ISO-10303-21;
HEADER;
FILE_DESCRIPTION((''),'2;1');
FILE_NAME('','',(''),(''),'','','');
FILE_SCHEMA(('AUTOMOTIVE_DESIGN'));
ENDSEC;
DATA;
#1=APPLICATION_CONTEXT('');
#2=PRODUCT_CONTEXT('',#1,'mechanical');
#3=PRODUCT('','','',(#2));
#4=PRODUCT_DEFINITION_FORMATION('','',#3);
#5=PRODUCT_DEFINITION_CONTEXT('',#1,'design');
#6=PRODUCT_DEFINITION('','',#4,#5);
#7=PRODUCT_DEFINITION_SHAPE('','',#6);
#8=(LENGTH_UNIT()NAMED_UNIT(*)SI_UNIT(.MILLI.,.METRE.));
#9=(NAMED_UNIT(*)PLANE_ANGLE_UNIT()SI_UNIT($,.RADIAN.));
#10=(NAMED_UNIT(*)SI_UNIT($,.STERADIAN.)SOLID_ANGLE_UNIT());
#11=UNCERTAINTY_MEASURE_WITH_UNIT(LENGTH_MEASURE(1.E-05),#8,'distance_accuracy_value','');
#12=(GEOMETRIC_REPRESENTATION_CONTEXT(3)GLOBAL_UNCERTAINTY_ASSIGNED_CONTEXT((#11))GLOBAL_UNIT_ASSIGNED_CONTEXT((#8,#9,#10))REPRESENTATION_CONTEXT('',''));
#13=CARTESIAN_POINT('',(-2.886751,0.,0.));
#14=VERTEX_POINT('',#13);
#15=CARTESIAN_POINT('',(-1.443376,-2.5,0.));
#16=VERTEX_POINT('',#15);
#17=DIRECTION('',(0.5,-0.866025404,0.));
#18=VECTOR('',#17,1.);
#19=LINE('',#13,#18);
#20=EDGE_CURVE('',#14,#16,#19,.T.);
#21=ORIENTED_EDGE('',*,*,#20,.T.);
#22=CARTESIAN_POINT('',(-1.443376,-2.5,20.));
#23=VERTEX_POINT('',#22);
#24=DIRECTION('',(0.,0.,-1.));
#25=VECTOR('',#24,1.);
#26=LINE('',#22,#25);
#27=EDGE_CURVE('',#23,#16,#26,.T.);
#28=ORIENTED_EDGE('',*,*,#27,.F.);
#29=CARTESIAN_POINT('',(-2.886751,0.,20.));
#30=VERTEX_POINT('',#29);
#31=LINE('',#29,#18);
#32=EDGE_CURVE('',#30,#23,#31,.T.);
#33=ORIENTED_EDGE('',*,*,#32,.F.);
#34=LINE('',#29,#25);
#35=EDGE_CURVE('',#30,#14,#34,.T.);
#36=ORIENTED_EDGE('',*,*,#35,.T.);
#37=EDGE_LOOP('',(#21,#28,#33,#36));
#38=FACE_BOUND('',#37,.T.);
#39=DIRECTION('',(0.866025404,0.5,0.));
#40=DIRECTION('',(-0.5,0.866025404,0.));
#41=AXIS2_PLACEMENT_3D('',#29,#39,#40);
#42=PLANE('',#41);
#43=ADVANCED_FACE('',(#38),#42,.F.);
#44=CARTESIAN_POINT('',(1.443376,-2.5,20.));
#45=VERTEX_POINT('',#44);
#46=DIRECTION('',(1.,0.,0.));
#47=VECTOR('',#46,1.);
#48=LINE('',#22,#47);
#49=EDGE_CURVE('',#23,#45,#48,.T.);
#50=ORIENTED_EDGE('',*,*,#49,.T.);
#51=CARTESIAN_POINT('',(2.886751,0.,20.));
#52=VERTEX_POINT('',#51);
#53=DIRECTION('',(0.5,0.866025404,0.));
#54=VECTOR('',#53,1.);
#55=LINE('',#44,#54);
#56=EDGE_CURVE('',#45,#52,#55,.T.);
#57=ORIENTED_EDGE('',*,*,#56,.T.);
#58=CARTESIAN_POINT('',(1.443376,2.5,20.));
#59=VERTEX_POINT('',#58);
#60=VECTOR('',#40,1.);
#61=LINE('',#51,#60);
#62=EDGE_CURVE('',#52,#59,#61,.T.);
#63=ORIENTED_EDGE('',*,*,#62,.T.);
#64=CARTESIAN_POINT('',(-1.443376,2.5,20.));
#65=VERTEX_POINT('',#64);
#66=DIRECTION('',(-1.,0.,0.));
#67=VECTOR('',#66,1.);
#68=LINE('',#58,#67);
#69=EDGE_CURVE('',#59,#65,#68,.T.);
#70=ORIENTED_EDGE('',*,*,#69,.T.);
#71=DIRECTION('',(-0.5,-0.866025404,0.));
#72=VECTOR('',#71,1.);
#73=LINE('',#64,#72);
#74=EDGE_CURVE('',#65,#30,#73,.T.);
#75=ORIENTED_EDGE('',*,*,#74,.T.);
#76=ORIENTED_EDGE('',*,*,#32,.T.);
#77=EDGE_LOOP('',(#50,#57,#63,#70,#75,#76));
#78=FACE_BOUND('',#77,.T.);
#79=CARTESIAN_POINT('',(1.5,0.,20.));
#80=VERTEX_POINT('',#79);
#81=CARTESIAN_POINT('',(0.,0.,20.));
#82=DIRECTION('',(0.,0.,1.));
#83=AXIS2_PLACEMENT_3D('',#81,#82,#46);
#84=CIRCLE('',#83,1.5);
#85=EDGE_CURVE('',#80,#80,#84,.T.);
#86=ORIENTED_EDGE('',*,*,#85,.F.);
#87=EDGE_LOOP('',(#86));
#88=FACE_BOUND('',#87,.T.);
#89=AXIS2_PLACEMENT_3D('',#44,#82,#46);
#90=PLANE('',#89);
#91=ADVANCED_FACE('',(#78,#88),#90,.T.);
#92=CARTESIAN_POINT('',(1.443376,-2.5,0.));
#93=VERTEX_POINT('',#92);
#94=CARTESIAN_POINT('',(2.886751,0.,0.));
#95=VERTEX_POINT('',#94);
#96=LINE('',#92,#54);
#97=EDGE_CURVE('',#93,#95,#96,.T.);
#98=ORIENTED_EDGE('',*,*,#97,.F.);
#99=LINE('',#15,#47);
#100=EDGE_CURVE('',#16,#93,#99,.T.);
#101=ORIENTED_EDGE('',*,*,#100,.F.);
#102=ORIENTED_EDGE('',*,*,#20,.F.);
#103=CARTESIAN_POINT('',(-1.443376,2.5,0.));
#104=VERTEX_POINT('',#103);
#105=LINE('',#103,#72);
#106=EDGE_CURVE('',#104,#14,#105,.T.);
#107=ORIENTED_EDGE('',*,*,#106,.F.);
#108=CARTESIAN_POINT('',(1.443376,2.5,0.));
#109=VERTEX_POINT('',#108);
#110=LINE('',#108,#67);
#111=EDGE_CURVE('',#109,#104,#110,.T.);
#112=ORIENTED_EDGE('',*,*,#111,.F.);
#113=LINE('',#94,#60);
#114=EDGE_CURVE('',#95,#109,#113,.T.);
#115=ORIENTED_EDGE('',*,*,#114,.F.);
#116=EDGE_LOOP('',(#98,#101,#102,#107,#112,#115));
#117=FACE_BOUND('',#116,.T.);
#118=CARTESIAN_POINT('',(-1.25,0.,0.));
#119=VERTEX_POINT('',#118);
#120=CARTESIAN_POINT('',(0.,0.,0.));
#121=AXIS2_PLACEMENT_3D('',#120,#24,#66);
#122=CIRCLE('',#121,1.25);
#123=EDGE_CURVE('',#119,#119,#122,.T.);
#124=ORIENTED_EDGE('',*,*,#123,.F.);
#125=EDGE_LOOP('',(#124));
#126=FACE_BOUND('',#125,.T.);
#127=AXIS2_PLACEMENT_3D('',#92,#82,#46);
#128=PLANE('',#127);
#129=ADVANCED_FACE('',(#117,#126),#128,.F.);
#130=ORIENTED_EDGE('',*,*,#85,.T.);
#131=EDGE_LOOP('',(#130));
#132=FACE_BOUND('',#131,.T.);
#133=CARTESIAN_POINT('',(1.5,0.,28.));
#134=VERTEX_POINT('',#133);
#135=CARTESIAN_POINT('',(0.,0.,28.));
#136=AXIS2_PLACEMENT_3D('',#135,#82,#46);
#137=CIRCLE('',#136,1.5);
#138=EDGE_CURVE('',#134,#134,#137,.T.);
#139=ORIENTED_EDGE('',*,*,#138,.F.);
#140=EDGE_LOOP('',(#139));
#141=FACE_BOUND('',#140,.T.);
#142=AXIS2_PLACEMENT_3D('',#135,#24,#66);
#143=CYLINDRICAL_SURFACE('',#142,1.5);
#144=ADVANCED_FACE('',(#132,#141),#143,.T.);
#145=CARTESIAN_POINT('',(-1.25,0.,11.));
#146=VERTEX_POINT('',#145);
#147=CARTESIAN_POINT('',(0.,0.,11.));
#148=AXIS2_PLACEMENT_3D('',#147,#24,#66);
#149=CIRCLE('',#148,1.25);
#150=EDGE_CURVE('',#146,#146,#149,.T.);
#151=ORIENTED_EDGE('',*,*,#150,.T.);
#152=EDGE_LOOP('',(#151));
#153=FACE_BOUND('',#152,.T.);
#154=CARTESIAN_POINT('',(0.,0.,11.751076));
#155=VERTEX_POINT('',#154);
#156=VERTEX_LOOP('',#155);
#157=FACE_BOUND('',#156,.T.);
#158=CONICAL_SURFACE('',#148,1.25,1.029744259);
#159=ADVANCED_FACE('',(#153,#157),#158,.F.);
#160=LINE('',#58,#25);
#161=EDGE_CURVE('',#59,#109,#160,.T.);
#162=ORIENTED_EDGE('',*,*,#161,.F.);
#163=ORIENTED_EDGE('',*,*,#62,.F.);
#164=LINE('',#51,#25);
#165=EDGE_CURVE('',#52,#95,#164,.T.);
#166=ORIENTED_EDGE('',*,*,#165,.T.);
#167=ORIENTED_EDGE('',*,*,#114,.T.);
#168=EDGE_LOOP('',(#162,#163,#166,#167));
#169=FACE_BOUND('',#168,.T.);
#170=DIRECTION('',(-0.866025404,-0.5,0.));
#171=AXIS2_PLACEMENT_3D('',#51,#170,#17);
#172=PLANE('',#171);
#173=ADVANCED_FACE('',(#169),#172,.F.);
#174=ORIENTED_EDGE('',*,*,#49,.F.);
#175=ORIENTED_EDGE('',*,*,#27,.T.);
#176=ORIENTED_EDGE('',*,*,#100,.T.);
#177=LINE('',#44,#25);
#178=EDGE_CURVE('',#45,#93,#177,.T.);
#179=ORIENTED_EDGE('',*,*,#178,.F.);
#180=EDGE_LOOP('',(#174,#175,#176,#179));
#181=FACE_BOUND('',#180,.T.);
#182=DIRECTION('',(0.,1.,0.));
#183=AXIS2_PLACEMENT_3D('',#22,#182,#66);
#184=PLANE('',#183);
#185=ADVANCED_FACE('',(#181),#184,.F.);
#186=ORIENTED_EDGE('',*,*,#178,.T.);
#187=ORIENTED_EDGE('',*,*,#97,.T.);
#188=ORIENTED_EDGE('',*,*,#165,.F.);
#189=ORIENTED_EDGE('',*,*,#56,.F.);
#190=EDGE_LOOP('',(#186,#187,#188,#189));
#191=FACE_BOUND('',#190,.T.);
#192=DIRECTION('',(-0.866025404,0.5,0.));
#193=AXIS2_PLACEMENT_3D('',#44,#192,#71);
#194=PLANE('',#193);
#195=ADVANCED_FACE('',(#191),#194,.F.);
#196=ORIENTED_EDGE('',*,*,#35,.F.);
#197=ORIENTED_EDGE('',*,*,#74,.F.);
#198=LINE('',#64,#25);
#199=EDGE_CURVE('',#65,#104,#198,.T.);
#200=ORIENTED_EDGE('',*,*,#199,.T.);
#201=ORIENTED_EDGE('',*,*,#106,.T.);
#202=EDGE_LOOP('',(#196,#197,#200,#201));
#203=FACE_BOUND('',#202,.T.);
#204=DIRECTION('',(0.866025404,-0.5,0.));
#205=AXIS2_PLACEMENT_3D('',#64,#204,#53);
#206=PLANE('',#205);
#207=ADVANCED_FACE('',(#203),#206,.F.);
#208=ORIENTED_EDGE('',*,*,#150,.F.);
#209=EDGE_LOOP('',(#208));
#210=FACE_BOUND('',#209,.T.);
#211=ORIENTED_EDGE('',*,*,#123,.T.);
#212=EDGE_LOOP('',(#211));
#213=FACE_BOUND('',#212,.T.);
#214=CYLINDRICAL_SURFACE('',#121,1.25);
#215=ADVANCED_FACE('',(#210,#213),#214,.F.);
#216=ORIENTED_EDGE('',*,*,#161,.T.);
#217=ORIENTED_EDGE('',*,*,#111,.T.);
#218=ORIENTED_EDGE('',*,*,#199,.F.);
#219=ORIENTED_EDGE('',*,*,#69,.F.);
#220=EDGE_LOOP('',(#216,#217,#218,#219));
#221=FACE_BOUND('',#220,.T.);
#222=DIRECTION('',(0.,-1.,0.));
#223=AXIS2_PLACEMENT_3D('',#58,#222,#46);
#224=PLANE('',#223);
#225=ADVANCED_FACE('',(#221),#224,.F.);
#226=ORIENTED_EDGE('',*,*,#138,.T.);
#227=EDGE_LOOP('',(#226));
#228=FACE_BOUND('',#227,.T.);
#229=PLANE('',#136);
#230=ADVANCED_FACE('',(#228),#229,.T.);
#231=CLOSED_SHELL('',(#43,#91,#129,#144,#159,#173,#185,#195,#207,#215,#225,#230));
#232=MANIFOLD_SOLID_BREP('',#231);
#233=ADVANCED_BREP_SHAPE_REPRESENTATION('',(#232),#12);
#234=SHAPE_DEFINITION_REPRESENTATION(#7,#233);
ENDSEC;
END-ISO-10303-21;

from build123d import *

# Parameters (mm, degrees)
EXTRUDE_1_DEPTH = 20
SKETCH_2_R      = 1.5
EXTRUDE_2_DEPTH = 8
M3X0_5_1_D      = 2.5
M3X0_5_1_DEPTH  = 11
M3X0_5_1_TIP    = 0.751075774


with BuildPart() as part:
    # 草图1 → 拉伸1 (new body)
    with BuildSketch(Plane.XY):
        Polygon((1.443375673, -2.5), (2.886751346, 0), (1.443375673, 2.5), (-1.443375673, 2.5), (-2.886751346, 0), (-1.443375673, -2.5), align=None)
    extrude(amount=EXTRUDE_1_DEPTH)

    # 草图2 → 拉伸2 (add)
    with BuildSketch(Plane.XY.offset(20)):
        Circle(SKETCH_2_R)
    extrude(amount=EXTRUDE_2_DEPTH)

    # M3x0.5 螺纹孔1
    with Locations(Plane(origin=(0, 0, 0), x_dir=(-1, 0, 0), z_dir=(0, 0, -1))):
        with Locations((0, 0)):
            Hole(M3X0_5_1_D / 2, depth=M3X0_5_1_DEPTH)
            with Locations((0, 0, -(M3X0_5_1_DEPTH + M3X0_5_1_TIP / 2))):  # 118° drill point
                Cone(0, M3X0_5_1_D / 2, M3X0_5_1_TIP, mode=Mode.SUBTRACT)


solid = part.part
